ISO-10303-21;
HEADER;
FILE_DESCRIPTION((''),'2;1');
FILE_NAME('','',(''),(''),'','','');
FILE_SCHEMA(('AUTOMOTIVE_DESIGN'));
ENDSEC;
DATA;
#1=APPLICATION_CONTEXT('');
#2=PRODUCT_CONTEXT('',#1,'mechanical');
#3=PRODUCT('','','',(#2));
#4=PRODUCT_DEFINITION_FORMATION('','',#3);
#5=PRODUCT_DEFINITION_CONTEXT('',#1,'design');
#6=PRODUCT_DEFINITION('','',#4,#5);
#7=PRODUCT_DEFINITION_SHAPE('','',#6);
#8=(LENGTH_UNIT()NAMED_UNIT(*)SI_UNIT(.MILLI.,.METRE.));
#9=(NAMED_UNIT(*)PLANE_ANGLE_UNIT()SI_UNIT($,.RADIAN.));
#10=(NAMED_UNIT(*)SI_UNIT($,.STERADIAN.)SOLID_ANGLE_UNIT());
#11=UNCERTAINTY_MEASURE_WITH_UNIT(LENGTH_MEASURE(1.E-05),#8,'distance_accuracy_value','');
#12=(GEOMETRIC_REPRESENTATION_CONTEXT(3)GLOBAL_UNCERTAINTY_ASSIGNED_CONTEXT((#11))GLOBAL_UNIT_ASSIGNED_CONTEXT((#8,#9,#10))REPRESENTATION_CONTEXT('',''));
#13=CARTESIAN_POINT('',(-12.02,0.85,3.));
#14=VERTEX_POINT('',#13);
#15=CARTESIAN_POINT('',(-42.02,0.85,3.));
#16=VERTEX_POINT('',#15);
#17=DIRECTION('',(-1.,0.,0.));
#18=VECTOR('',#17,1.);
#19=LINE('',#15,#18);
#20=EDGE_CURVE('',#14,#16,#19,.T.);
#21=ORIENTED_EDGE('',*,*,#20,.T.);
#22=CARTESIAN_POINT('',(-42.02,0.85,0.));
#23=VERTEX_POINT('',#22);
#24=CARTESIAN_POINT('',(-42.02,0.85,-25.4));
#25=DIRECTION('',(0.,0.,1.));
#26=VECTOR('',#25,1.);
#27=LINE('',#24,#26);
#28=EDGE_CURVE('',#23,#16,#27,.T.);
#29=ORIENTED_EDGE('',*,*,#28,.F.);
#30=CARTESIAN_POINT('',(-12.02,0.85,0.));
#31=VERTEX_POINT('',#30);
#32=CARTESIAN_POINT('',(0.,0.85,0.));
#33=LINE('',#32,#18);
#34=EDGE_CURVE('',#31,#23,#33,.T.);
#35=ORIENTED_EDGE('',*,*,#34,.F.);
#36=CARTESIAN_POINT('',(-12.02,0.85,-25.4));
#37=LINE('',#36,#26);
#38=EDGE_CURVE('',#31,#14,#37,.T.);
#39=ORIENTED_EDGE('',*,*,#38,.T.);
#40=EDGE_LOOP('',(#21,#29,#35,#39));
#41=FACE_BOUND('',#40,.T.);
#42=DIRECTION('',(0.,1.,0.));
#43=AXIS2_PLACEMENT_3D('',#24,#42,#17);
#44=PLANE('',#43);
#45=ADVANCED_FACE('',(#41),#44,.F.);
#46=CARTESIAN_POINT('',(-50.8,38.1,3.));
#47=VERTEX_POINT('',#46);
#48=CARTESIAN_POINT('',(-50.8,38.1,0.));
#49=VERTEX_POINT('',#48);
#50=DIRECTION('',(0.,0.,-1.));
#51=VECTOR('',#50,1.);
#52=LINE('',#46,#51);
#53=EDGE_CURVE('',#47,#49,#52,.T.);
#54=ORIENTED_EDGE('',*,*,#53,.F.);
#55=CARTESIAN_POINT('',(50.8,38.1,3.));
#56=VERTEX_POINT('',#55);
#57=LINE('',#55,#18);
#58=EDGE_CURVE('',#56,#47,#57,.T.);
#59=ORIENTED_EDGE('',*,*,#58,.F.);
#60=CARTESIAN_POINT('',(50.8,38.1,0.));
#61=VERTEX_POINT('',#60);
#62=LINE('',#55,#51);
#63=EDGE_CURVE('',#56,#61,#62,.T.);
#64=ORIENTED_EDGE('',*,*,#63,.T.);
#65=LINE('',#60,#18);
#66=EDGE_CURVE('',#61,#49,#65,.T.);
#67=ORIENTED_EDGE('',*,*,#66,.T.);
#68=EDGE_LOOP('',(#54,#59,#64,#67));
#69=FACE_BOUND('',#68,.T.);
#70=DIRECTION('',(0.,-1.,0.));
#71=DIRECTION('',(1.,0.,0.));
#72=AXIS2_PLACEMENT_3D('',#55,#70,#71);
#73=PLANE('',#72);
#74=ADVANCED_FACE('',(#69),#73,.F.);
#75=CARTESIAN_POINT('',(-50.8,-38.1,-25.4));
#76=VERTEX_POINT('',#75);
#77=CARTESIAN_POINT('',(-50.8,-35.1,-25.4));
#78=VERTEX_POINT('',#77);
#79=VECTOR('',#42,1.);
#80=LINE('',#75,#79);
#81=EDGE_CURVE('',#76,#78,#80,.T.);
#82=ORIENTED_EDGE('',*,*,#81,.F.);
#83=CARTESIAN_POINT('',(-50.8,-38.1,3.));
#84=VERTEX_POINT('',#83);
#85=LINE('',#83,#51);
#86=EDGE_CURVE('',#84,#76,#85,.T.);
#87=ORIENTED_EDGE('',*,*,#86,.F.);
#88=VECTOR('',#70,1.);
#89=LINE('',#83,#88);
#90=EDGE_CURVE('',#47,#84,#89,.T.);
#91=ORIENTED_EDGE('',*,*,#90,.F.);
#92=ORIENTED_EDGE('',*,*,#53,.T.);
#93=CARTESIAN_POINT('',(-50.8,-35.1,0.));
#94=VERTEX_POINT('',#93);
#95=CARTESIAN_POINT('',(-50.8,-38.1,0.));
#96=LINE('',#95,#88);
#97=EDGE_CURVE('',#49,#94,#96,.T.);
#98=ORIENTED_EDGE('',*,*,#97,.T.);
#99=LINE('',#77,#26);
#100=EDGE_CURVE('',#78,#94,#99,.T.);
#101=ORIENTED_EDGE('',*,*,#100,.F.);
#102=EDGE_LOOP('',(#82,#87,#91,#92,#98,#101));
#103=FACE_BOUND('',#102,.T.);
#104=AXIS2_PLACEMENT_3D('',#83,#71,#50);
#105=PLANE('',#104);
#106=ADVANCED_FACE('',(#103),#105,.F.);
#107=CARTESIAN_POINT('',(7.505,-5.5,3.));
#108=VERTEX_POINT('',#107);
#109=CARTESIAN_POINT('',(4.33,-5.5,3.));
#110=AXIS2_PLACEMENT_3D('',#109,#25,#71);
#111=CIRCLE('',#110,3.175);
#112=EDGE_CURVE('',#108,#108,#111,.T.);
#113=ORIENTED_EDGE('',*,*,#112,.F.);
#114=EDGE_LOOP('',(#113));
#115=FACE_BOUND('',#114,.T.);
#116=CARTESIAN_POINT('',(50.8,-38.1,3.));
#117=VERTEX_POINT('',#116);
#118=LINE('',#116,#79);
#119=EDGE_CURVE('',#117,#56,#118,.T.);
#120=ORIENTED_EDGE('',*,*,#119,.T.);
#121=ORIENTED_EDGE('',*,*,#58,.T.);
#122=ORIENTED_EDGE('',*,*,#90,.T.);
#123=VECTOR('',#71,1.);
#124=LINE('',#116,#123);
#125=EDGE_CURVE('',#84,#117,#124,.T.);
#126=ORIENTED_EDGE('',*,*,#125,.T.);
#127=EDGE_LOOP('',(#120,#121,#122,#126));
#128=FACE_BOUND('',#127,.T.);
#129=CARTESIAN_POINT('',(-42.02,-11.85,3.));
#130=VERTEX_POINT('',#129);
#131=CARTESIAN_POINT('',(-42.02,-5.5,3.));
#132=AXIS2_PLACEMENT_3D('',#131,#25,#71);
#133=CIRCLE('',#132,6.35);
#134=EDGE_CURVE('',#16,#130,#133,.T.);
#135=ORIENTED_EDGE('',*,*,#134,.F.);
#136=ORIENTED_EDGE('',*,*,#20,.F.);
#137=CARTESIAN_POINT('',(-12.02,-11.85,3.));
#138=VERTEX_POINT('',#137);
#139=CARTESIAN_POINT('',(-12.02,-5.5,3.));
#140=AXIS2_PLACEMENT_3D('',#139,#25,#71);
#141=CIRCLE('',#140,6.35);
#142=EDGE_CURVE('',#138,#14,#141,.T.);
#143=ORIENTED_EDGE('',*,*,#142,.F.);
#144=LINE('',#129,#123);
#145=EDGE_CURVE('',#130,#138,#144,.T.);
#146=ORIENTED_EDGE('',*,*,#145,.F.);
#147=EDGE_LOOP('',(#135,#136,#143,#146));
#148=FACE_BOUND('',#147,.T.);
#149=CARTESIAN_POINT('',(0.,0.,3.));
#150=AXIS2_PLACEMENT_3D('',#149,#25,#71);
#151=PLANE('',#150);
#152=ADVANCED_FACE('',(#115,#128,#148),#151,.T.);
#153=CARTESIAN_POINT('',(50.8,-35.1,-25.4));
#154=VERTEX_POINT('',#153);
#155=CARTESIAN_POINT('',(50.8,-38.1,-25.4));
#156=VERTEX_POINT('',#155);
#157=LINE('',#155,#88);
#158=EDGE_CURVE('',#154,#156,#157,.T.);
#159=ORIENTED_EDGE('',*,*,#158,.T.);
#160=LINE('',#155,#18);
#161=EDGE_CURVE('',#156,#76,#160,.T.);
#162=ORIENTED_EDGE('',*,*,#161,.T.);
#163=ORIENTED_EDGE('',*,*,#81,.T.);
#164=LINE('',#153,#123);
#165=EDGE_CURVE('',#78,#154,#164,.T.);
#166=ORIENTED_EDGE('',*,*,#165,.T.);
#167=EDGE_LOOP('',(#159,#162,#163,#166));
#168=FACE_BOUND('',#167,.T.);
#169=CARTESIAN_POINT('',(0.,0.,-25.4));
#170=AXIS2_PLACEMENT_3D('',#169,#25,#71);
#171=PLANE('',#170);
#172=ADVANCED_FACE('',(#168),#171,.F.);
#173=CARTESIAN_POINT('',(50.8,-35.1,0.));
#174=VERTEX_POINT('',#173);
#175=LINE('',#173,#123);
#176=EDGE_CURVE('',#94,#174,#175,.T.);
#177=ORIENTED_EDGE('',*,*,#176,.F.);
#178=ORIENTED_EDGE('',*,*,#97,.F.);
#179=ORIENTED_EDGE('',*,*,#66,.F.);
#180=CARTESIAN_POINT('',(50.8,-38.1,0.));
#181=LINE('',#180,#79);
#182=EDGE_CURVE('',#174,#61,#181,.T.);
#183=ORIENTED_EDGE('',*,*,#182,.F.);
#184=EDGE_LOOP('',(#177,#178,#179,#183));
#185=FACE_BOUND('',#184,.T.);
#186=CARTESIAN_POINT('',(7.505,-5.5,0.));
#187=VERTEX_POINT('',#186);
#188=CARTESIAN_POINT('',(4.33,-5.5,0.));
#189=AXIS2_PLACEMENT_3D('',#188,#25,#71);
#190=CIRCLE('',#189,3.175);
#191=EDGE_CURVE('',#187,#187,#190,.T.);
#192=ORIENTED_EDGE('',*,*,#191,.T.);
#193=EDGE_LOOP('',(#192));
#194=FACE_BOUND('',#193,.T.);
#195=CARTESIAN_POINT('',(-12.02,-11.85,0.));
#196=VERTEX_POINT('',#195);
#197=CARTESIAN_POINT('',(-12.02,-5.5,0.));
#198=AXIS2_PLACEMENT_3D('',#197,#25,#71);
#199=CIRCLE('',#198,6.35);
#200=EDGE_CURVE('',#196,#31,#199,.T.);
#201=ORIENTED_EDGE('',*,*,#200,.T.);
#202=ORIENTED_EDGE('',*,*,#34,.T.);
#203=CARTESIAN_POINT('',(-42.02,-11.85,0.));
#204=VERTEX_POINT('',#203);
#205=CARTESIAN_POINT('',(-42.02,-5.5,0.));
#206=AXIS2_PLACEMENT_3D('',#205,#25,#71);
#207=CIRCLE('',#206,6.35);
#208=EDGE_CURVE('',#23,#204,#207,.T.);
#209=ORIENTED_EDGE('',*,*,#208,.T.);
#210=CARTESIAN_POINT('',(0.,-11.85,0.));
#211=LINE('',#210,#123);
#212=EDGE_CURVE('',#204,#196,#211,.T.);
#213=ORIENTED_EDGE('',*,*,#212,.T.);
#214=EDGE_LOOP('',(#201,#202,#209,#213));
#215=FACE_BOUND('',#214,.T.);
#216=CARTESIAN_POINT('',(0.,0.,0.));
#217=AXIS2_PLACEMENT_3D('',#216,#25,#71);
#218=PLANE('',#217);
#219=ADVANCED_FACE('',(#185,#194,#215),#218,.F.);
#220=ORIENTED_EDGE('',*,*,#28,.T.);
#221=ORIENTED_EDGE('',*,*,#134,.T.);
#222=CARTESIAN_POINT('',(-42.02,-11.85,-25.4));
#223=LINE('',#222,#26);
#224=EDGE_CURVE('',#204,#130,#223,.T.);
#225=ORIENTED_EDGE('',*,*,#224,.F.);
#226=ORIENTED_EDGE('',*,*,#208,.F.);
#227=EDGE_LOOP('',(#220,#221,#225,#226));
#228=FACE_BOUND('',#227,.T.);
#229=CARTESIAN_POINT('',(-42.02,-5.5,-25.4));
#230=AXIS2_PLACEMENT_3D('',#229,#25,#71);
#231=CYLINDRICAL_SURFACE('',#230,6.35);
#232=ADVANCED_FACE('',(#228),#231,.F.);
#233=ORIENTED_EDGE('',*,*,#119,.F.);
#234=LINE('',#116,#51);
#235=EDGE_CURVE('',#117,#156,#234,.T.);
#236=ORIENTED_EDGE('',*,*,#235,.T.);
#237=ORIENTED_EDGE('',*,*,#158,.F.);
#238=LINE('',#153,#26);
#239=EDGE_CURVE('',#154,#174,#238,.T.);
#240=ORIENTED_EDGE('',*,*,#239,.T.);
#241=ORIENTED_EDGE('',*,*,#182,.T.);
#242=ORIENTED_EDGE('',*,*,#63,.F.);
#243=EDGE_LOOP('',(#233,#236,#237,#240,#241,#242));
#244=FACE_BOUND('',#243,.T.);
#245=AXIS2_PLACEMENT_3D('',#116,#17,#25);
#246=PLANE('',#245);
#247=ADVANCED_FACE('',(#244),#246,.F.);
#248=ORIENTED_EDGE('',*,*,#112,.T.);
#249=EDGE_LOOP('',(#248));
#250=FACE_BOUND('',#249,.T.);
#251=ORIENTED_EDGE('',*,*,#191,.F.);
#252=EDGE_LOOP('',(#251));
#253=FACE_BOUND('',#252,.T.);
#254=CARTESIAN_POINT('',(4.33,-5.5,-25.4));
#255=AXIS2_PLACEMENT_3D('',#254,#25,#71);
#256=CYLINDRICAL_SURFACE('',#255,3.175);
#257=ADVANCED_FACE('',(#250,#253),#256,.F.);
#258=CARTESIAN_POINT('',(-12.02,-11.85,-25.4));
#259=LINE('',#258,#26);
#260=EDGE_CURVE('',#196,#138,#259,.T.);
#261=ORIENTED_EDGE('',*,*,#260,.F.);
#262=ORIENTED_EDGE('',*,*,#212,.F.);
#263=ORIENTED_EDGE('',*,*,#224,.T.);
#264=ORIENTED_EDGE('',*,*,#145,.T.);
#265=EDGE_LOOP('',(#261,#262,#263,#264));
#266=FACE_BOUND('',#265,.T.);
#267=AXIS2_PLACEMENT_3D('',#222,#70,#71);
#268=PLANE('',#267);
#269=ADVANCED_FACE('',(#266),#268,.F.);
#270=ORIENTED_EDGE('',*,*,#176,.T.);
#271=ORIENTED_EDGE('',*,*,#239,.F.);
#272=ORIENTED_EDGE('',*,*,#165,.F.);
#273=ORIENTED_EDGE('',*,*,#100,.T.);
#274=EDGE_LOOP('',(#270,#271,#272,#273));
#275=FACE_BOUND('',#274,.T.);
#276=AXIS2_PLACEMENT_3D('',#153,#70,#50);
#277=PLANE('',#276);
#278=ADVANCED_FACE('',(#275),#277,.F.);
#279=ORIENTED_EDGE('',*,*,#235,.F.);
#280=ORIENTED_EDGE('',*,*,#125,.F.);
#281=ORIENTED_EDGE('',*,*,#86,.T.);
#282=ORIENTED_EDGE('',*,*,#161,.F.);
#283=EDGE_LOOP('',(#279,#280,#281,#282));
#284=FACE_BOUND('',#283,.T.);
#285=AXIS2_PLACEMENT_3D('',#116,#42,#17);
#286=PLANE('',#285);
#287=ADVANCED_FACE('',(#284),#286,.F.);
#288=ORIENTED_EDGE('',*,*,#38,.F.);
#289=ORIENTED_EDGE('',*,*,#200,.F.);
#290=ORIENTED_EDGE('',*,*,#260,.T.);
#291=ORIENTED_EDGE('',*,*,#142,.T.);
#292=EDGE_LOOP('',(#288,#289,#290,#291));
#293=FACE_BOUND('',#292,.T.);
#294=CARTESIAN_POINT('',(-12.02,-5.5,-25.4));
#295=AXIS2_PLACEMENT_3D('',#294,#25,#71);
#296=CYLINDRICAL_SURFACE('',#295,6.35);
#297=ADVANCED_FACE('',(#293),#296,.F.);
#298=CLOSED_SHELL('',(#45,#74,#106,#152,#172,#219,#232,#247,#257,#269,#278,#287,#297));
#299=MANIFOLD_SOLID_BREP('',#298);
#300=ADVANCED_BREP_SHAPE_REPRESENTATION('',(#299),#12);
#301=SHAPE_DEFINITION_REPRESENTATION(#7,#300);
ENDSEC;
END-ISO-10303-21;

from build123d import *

# Parameters (mm, degrees)
CROQUIS1_W              = 101.6
CROQUIS1_H              = 76.2
SALIENTE_EXTRUIR1_DEPTH = 3
CROQUIS2_W              = 101.6
CROQUIS2_H              = 3
SALIENTE_EXTRUIR2_DEPTH = 25.4
CROQUIS3_R              = 3.175
CORTAR_EXTRUIR1_DEPTH   = 70.561555474


with BuildPart() as part:
    # Croquis1 → Saliente-Extruir1 (new body)
    with BuildSketch(Plane.XY):
        Rectangle(CROQUIS1_W, CROQUIS1_H)
    extrude(amount=SALIENTE_EXTRUIR1_DEPTH)

    # Croquis2 → Saliente-Extruir2 (add)
    with BuildSketch(Plane(origin=(0, 0, 0), x_dir=(-1, 0, 0), z_dir=(0, 0, -1))):
        with Locations((0, -36.6)):
            Rectangle(CROQUIS2_W, CROQUIS2_H)
    extrude(amount=SALIENTE_EXTRUIR2_DEPTH)

    # Croquis3 → Cortar-Extruir1 (cut, through all)
    with BuildSketch(Plane.XY.offset(3)):
        with Locations((4.33, -5.5)):
            Circle(CROQUIS3_R)
        with BuildLine():
            Line((-42.02, 0.85), (-12.02, 0.85))
            ThreePointArc((-12.02, 0.85), (-5.67, -5.5), (-12.02, -11.85))
            Line((-12.02, -11.85), (-42.02, -11.85))
            ThreePointArc((-42.02, -11.85), (-48.37, -5.5), (-42.02, 0.85))
        make_face()
    extrude(amount=-CORTAR_EXTRUIR1_DEPTH, mode=Mode.SUBTRACT)


solid = part.part
